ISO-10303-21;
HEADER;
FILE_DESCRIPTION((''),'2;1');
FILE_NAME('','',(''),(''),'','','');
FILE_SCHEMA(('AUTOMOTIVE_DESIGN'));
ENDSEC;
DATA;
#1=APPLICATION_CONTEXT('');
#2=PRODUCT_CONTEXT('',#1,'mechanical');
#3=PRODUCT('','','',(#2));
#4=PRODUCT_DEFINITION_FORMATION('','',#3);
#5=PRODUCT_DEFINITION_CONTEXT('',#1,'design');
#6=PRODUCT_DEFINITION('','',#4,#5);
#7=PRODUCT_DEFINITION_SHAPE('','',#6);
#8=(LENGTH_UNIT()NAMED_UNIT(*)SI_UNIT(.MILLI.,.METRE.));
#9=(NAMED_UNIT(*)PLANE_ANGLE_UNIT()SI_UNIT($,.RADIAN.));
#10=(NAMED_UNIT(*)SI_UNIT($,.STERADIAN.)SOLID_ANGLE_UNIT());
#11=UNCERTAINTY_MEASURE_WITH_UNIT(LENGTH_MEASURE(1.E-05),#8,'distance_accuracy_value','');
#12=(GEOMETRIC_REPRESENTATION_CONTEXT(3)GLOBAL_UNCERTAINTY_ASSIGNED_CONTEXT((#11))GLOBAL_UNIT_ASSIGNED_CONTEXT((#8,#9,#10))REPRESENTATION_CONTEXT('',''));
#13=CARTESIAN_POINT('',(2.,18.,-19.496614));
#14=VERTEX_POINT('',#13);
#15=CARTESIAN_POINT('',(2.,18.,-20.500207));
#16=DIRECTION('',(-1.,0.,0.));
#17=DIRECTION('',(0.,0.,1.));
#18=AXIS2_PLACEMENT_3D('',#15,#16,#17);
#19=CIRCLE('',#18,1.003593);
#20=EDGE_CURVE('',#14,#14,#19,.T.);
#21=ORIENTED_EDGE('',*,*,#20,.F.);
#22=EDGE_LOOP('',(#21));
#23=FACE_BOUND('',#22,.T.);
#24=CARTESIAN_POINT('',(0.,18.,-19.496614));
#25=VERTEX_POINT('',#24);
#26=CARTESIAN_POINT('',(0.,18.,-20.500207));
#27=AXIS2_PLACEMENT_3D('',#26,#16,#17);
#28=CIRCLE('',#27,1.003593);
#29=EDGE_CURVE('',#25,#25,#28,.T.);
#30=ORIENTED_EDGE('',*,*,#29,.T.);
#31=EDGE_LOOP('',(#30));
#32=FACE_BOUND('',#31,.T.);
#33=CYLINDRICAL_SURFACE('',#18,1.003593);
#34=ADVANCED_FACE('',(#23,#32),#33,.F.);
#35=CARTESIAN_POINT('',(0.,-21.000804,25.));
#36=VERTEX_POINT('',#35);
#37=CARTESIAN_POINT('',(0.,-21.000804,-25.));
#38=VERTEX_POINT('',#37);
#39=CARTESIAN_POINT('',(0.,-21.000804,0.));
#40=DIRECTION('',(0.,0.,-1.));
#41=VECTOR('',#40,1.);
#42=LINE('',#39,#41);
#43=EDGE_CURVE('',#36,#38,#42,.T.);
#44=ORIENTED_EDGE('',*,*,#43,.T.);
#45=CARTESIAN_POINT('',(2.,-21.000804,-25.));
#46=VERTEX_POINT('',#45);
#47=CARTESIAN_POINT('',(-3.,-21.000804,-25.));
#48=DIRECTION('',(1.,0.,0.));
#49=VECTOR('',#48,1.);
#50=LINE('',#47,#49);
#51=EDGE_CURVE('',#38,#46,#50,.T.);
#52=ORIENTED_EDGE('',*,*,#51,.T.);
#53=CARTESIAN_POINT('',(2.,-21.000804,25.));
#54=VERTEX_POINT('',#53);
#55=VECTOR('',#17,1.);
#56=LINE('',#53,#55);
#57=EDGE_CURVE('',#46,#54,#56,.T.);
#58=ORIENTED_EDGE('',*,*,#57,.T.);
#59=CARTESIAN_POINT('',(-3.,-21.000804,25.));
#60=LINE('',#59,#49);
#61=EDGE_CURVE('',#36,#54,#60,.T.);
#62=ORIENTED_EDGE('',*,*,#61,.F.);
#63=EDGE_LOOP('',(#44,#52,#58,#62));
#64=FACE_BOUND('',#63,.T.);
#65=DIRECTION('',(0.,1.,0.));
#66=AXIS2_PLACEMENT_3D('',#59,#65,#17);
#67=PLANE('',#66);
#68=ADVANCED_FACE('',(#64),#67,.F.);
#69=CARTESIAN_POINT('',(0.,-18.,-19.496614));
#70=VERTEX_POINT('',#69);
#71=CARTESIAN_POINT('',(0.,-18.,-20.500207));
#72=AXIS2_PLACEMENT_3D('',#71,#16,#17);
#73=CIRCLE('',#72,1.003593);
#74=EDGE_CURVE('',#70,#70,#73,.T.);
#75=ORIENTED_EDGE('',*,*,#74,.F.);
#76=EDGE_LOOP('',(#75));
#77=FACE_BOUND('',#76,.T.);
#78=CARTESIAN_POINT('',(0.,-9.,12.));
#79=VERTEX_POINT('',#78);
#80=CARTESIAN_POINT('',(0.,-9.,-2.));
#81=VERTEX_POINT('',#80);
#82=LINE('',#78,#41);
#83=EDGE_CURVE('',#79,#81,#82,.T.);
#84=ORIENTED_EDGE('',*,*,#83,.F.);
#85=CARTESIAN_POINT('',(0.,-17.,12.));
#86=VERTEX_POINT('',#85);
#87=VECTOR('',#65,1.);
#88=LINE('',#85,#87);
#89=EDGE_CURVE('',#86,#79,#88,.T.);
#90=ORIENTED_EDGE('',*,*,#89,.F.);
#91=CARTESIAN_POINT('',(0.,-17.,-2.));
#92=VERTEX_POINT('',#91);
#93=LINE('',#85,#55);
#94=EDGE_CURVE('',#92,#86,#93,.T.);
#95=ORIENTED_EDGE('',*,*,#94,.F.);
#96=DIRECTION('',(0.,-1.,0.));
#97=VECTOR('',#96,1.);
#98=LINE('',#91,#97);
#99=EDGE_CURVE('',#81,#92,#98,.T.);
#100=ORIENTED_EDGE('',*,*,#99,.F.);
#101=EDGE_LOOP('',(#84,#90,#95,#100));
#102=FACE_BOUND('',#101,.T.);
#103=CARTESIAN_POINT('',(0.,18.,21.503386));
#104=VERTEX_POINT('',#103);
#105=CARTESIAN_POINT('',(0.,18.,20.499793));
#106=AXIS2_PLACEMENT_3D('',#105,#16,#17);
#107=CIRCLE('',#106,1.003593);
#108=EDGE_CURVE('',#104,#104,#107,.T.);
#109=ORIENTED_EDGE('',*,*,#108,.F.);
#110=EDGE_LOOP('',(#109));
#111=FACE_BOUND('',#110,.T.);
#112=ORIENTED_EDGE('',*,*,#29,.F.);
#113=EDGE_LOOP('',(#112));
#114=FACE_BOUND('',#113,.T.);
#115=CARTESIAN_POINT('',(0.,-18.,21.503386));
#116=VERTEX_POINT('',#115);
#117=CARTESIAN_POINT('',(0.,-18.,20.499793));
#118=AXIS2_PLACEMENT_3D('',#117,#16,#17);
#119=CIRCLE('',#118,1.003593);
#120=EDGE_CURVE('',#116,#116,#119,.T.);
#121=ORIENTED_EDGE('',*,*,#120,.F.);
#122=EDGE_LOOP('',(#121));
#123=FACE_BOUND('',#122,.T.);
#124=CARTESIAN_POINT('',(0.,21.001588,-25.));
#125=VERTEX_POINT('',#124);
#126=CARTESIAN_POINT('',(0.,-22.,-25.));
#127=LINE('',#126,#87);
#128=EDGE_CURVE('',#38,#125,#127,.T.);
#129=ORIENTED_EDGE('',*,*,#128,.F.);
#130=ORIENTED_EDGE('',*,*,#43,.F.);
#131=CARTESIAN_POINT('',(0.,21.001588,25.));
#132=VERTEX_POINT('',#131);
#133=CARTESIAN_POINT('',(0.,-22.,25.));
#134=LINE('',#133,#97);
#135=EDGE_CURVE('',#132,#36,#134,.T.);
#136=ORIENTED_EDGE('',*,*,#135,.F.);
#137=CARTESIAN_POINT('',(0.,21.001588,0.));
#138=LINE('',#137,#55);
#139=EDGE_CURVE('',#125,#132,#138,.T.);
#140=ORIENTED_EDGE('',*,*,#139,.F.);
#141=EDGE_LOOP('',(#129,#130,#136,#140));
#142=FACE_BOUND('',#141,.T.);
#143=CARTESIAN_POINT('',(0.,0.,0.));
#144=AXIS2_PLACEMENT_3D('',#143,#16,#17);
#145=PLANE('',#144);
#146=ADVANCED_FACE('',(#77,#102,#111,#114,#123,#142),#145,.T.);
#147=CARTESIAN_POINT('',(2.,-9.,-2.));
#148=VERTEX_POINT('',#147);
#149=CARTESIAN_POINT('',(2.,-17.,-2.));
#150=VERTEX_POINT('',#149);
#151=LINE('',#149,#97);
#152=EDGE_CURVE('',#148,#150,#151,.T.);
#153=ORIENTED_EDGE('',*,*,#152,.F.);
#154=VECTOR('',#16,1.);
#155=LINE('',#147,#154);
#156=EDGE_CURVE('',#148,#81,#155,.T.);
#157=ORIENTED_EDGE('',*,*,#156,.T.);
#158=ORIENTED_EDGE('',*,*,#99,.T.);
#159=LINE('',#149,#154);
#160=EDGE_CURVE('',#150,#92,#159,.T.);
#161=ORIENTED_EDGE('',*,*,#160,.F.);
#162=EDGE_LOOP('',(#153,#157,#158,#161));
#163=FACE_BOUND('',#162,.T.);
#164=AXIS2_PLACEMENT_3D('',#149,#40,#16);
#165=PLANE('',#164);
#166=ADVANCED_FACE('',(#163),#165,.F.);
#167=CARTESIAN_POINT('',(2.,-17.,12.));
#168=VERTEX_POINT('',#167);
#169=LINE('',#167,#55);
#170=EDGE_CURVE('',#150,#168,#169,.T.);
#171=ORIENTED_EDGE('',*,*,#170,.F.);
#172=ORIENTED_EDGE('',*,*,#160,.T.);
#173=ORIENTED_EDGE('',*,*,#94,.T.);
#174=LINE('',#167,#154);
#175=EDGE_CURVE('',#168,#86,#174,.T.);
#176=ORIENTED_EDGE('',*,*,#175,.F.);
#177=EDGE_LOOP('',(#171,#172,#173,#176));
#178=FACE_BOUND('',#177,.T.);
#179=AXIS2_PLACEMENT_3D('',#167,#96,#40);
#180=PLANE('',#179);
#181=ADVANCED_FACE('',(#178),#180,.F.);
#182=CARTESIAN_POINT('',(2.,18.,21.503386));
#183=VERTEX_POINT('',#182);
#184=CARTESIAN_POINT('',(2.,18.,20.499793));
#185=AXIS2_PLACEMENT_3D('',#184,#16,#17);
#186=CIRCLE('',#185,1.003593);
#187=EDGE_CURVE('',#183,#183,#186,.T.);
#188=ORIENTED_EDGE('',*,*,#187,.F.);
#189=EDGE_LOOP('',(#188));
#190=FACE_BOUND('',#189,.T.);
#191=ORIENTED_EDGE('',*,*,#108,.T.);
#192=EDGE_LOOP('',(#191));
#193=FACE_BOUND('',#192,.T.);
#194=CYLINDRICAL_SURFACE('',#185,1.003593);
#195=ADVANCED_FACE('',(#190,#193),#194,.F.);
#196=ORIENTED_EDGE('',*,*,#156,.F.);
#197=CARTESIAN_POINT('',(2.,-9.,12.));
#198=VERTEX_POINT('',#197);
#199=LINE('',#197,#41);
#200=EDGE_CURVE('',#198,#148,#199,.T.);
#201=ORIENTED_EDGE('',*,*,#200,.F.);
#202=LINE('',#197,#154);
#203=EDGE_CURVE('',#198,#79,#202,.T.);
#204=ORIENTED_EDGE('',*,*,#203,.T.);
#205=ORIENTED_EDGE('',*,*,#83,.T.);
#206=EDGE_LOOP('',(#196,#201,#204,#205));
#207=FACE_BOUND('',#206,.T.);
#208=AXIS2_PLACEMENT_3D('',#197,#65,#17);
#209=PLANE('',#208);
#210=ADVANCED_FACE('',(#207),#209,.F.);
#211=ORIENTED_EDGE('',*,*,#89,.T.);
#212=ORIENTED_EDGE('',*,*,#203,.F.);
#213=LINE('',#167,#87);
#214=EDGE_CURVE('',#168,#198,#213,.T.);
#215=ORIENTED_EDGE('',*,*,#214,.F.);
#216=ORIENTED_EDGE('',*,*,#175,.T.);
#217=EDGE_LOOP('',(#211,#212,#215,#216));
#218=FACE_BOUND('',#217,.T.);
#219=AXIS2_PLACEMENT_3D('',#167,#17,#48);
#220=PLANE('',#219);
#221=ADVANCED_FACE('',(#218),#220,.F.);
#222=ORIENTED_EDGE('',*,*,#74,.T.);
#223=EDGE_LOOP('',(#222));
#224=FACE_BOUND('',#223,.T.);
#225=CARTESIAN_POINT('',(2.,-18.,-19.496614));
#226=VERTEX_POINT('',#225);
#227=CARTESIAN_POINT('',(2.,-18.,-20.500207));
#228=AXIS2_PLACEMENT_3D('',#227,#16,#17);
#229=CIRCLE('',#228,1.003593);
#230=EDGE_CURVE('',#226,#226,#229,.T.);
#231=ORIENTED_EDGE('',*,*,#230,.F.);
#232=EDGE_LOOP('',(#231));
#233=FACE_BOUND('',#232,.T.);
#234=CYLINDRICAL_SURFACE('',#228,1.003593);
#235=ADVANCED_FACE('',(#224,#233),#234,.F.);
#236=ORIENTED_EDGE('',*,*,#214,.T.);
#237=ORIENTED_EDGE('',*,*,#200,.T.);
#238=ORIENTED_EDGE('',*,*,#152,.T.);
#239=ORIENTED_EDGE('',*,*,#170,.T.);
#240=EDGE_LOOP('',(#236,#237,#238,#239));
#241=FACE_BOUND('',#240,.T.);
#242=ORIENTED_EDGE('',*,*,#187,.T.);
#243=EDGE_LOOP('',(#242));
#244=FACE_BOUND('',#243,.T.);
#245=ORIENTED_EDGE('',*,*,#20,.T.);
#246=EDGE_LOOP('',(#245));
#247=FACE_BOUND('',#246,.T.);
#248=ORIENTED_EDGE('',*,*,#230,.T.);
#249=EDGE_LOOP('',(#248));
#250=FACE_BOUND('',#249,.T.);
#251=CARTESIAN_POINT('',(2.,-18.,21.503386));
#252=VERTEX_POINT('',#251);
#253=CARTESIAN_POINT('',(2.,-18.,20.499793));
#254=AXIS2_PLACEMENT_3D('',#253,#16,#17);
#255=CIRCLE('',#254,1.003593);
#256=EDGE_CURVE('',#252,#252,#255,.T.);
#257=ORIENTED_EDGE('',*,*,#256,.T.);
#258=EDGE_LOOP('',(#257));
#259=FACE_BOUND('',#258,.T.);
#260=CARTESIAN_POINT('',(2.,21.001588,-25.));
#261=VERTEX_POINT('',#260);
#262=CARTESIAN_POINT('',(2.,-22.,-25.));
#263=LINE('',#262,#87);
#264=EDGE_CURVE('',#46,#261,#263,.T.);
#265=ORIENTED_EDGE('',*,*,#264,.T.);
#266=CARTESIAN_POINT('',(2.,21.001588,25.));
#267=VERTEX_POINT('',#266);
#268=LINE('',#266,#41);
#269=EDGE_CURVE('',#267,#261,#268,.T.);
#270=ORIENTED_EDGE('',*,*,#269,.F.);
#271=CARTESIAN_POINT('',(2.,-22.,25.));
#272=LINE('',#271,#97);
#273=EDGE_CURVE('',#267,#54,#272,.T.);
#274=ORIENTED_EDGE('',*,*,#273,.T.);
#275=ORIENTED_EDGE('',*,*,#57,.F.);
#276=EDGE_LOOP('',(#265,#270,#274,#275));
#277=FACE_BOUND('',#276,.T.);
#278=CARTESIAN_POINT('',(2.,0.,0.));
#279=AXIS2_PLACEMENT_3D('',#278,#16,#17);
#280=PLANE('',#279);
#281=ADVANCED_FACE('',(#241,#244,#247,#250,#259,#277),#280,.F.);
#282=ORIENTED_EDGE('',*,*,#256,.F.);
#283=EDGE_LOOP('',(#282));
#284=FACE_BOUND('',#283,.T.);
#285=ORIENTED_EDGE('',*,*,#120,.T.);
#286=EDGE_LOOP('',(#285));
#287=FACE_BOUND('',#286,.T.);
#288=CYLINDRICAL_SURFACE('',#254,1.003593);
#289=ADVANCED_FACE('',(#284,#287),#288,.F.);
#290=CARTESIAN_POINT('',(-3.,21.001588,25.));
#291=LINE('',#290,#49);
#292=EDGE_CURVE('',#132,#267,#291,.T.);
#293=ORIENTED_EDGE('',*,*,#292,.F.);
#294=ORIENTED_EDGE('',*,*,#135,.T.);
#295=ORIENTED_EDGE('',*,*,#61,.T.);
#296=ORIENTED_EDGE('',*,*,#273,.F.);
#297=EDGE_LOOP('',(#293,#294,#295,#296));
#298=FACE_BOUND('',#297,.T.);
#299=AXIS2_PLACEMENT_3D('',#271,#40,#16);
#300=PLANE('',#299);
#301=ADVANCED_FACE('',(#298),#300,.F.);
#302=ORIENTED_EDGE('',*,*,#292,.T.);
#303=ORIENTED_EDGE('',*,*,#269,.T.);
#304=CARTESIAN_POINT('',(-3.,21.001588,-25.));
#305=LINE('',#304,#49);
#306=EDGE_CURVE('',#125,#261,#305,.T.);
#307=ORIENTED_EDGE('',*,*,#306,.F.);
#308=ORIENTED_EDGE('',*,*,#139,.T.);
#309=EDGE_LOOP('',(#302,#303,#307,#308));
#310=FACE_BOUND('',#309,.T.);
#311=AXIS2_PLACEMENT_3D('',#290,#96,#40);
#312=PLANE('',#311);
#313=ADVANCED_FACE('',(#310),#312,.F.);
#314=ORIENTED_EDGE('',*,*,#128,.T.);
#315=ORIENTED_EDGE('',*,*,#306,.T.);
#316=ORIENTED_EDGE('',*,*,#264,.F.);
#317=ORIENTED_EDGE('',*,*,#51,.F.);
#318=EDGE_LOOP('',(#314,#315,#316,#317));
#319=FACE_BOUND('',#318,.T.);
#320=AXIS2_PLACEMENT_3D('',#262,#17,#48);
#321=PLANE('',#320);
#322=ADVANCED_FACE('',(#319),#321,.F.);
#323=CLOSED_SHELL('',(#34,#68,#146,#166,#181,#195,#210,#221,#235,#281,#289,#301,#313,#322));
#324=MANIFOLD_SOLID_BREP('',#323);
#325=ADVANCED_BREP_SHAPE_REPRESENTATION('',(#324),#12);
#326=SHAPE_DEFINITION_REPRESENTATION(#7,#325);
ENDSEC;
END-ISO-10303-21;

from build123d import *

# Parameters (mm, degrees)
SKETCH1_W            = 50
SKETCH1_H            = 44
BOSS_EXTRUDE1_DEPTH  = 2
SKETCH2_R            = 1.003593064
SKETCH2_W            = 14
SKETCH2_H            = 8
CUT_EXTRUDE1_DEPTH   = 2
LPATTERN1_COUNT      = 2
LPATTERN1_PITCH      = 41
LPATTERN1_COUNT_DIR2 = 2
LPATTERN1_PITCH_DIR2 = 36
SKETCH6_W            = 50
SKETCH6_H            = 0.998412165
CUT_EXTRUDE2_DEPTH   = 5
SKETCH7_W            = 50
SKETCH7_H            = 0.999196335
CUT_EXTRUDE3_DEPTH   = 5


with BuildPart() as part:
    # Sketch1 → Boss-Extrude1 (new body)
    with BuildSketch(Plane(origin=(0, 0, 0), x_dir=(0, 0, -1), z_dir=(1, 0, 0))):
        Rectangle(SKETCH1_W, SKETCH1_H)
    extrude(amount=BOSS_EXTRUDE1_DEPTH)

    # Sketch2 → Cut-Extrude1 (cut)
    with BuildSketch(Plane.ZY):
        with Locations((20.499792875, 18)):
            Circle(SKETCH2_R)
        with Locations((5, -13)):
            Rectangle(SKETCH2_W, SKETCH2_H)
    cut_extrude1 = extrude(amount=-CUT_EXTRUDE1_DEPTH, mode=Mode.SUBTRACT)

    # LPattern1: Cut-Extrude1 2 × 2
    with Locations(*[(0, -j * LPATTERN1_PITCH_DIR2, -i * LPATTERN1_PITCH) for i in range(LPATTERN1_COUNT) for j in range(LPATTERN1_COUNT_DIR2) if (i, j) != (0, 0)]):
        add(cut_extrude1, mode=Mode.SUBTRACT)

    # Sketch6 → Cut-Extrude2 (cut)
    with BuildSketch(Plane(origin=(2, 0, 0), x_dir=(0, 0, -1), z_dir=(1, 0, 0))):
        with Locations((0, 21.500793918)):
            Rectangle(SKETCH6_W, SKETCH6_H)
    extrude(amount=-CUT_EXTRUDE2_DEPTH, mode=Mode.SUBTRACT)

    # Sketch7 → Cut-Extrude3 (cut)
    with BuildSketch(Plane(origin=(2, 0, 0), x_dir=(0, 0, -1), z_dir=(1, 0, 0))):
        with Locations((0, -21.500401833)):
            Rectangle(SKETCH7_W, SKETCH7_H)
    extrude(amount=-CUT_EXTRUDE3_DEPTH, mode=Mode.SUBTRACT)


solid = part.part
